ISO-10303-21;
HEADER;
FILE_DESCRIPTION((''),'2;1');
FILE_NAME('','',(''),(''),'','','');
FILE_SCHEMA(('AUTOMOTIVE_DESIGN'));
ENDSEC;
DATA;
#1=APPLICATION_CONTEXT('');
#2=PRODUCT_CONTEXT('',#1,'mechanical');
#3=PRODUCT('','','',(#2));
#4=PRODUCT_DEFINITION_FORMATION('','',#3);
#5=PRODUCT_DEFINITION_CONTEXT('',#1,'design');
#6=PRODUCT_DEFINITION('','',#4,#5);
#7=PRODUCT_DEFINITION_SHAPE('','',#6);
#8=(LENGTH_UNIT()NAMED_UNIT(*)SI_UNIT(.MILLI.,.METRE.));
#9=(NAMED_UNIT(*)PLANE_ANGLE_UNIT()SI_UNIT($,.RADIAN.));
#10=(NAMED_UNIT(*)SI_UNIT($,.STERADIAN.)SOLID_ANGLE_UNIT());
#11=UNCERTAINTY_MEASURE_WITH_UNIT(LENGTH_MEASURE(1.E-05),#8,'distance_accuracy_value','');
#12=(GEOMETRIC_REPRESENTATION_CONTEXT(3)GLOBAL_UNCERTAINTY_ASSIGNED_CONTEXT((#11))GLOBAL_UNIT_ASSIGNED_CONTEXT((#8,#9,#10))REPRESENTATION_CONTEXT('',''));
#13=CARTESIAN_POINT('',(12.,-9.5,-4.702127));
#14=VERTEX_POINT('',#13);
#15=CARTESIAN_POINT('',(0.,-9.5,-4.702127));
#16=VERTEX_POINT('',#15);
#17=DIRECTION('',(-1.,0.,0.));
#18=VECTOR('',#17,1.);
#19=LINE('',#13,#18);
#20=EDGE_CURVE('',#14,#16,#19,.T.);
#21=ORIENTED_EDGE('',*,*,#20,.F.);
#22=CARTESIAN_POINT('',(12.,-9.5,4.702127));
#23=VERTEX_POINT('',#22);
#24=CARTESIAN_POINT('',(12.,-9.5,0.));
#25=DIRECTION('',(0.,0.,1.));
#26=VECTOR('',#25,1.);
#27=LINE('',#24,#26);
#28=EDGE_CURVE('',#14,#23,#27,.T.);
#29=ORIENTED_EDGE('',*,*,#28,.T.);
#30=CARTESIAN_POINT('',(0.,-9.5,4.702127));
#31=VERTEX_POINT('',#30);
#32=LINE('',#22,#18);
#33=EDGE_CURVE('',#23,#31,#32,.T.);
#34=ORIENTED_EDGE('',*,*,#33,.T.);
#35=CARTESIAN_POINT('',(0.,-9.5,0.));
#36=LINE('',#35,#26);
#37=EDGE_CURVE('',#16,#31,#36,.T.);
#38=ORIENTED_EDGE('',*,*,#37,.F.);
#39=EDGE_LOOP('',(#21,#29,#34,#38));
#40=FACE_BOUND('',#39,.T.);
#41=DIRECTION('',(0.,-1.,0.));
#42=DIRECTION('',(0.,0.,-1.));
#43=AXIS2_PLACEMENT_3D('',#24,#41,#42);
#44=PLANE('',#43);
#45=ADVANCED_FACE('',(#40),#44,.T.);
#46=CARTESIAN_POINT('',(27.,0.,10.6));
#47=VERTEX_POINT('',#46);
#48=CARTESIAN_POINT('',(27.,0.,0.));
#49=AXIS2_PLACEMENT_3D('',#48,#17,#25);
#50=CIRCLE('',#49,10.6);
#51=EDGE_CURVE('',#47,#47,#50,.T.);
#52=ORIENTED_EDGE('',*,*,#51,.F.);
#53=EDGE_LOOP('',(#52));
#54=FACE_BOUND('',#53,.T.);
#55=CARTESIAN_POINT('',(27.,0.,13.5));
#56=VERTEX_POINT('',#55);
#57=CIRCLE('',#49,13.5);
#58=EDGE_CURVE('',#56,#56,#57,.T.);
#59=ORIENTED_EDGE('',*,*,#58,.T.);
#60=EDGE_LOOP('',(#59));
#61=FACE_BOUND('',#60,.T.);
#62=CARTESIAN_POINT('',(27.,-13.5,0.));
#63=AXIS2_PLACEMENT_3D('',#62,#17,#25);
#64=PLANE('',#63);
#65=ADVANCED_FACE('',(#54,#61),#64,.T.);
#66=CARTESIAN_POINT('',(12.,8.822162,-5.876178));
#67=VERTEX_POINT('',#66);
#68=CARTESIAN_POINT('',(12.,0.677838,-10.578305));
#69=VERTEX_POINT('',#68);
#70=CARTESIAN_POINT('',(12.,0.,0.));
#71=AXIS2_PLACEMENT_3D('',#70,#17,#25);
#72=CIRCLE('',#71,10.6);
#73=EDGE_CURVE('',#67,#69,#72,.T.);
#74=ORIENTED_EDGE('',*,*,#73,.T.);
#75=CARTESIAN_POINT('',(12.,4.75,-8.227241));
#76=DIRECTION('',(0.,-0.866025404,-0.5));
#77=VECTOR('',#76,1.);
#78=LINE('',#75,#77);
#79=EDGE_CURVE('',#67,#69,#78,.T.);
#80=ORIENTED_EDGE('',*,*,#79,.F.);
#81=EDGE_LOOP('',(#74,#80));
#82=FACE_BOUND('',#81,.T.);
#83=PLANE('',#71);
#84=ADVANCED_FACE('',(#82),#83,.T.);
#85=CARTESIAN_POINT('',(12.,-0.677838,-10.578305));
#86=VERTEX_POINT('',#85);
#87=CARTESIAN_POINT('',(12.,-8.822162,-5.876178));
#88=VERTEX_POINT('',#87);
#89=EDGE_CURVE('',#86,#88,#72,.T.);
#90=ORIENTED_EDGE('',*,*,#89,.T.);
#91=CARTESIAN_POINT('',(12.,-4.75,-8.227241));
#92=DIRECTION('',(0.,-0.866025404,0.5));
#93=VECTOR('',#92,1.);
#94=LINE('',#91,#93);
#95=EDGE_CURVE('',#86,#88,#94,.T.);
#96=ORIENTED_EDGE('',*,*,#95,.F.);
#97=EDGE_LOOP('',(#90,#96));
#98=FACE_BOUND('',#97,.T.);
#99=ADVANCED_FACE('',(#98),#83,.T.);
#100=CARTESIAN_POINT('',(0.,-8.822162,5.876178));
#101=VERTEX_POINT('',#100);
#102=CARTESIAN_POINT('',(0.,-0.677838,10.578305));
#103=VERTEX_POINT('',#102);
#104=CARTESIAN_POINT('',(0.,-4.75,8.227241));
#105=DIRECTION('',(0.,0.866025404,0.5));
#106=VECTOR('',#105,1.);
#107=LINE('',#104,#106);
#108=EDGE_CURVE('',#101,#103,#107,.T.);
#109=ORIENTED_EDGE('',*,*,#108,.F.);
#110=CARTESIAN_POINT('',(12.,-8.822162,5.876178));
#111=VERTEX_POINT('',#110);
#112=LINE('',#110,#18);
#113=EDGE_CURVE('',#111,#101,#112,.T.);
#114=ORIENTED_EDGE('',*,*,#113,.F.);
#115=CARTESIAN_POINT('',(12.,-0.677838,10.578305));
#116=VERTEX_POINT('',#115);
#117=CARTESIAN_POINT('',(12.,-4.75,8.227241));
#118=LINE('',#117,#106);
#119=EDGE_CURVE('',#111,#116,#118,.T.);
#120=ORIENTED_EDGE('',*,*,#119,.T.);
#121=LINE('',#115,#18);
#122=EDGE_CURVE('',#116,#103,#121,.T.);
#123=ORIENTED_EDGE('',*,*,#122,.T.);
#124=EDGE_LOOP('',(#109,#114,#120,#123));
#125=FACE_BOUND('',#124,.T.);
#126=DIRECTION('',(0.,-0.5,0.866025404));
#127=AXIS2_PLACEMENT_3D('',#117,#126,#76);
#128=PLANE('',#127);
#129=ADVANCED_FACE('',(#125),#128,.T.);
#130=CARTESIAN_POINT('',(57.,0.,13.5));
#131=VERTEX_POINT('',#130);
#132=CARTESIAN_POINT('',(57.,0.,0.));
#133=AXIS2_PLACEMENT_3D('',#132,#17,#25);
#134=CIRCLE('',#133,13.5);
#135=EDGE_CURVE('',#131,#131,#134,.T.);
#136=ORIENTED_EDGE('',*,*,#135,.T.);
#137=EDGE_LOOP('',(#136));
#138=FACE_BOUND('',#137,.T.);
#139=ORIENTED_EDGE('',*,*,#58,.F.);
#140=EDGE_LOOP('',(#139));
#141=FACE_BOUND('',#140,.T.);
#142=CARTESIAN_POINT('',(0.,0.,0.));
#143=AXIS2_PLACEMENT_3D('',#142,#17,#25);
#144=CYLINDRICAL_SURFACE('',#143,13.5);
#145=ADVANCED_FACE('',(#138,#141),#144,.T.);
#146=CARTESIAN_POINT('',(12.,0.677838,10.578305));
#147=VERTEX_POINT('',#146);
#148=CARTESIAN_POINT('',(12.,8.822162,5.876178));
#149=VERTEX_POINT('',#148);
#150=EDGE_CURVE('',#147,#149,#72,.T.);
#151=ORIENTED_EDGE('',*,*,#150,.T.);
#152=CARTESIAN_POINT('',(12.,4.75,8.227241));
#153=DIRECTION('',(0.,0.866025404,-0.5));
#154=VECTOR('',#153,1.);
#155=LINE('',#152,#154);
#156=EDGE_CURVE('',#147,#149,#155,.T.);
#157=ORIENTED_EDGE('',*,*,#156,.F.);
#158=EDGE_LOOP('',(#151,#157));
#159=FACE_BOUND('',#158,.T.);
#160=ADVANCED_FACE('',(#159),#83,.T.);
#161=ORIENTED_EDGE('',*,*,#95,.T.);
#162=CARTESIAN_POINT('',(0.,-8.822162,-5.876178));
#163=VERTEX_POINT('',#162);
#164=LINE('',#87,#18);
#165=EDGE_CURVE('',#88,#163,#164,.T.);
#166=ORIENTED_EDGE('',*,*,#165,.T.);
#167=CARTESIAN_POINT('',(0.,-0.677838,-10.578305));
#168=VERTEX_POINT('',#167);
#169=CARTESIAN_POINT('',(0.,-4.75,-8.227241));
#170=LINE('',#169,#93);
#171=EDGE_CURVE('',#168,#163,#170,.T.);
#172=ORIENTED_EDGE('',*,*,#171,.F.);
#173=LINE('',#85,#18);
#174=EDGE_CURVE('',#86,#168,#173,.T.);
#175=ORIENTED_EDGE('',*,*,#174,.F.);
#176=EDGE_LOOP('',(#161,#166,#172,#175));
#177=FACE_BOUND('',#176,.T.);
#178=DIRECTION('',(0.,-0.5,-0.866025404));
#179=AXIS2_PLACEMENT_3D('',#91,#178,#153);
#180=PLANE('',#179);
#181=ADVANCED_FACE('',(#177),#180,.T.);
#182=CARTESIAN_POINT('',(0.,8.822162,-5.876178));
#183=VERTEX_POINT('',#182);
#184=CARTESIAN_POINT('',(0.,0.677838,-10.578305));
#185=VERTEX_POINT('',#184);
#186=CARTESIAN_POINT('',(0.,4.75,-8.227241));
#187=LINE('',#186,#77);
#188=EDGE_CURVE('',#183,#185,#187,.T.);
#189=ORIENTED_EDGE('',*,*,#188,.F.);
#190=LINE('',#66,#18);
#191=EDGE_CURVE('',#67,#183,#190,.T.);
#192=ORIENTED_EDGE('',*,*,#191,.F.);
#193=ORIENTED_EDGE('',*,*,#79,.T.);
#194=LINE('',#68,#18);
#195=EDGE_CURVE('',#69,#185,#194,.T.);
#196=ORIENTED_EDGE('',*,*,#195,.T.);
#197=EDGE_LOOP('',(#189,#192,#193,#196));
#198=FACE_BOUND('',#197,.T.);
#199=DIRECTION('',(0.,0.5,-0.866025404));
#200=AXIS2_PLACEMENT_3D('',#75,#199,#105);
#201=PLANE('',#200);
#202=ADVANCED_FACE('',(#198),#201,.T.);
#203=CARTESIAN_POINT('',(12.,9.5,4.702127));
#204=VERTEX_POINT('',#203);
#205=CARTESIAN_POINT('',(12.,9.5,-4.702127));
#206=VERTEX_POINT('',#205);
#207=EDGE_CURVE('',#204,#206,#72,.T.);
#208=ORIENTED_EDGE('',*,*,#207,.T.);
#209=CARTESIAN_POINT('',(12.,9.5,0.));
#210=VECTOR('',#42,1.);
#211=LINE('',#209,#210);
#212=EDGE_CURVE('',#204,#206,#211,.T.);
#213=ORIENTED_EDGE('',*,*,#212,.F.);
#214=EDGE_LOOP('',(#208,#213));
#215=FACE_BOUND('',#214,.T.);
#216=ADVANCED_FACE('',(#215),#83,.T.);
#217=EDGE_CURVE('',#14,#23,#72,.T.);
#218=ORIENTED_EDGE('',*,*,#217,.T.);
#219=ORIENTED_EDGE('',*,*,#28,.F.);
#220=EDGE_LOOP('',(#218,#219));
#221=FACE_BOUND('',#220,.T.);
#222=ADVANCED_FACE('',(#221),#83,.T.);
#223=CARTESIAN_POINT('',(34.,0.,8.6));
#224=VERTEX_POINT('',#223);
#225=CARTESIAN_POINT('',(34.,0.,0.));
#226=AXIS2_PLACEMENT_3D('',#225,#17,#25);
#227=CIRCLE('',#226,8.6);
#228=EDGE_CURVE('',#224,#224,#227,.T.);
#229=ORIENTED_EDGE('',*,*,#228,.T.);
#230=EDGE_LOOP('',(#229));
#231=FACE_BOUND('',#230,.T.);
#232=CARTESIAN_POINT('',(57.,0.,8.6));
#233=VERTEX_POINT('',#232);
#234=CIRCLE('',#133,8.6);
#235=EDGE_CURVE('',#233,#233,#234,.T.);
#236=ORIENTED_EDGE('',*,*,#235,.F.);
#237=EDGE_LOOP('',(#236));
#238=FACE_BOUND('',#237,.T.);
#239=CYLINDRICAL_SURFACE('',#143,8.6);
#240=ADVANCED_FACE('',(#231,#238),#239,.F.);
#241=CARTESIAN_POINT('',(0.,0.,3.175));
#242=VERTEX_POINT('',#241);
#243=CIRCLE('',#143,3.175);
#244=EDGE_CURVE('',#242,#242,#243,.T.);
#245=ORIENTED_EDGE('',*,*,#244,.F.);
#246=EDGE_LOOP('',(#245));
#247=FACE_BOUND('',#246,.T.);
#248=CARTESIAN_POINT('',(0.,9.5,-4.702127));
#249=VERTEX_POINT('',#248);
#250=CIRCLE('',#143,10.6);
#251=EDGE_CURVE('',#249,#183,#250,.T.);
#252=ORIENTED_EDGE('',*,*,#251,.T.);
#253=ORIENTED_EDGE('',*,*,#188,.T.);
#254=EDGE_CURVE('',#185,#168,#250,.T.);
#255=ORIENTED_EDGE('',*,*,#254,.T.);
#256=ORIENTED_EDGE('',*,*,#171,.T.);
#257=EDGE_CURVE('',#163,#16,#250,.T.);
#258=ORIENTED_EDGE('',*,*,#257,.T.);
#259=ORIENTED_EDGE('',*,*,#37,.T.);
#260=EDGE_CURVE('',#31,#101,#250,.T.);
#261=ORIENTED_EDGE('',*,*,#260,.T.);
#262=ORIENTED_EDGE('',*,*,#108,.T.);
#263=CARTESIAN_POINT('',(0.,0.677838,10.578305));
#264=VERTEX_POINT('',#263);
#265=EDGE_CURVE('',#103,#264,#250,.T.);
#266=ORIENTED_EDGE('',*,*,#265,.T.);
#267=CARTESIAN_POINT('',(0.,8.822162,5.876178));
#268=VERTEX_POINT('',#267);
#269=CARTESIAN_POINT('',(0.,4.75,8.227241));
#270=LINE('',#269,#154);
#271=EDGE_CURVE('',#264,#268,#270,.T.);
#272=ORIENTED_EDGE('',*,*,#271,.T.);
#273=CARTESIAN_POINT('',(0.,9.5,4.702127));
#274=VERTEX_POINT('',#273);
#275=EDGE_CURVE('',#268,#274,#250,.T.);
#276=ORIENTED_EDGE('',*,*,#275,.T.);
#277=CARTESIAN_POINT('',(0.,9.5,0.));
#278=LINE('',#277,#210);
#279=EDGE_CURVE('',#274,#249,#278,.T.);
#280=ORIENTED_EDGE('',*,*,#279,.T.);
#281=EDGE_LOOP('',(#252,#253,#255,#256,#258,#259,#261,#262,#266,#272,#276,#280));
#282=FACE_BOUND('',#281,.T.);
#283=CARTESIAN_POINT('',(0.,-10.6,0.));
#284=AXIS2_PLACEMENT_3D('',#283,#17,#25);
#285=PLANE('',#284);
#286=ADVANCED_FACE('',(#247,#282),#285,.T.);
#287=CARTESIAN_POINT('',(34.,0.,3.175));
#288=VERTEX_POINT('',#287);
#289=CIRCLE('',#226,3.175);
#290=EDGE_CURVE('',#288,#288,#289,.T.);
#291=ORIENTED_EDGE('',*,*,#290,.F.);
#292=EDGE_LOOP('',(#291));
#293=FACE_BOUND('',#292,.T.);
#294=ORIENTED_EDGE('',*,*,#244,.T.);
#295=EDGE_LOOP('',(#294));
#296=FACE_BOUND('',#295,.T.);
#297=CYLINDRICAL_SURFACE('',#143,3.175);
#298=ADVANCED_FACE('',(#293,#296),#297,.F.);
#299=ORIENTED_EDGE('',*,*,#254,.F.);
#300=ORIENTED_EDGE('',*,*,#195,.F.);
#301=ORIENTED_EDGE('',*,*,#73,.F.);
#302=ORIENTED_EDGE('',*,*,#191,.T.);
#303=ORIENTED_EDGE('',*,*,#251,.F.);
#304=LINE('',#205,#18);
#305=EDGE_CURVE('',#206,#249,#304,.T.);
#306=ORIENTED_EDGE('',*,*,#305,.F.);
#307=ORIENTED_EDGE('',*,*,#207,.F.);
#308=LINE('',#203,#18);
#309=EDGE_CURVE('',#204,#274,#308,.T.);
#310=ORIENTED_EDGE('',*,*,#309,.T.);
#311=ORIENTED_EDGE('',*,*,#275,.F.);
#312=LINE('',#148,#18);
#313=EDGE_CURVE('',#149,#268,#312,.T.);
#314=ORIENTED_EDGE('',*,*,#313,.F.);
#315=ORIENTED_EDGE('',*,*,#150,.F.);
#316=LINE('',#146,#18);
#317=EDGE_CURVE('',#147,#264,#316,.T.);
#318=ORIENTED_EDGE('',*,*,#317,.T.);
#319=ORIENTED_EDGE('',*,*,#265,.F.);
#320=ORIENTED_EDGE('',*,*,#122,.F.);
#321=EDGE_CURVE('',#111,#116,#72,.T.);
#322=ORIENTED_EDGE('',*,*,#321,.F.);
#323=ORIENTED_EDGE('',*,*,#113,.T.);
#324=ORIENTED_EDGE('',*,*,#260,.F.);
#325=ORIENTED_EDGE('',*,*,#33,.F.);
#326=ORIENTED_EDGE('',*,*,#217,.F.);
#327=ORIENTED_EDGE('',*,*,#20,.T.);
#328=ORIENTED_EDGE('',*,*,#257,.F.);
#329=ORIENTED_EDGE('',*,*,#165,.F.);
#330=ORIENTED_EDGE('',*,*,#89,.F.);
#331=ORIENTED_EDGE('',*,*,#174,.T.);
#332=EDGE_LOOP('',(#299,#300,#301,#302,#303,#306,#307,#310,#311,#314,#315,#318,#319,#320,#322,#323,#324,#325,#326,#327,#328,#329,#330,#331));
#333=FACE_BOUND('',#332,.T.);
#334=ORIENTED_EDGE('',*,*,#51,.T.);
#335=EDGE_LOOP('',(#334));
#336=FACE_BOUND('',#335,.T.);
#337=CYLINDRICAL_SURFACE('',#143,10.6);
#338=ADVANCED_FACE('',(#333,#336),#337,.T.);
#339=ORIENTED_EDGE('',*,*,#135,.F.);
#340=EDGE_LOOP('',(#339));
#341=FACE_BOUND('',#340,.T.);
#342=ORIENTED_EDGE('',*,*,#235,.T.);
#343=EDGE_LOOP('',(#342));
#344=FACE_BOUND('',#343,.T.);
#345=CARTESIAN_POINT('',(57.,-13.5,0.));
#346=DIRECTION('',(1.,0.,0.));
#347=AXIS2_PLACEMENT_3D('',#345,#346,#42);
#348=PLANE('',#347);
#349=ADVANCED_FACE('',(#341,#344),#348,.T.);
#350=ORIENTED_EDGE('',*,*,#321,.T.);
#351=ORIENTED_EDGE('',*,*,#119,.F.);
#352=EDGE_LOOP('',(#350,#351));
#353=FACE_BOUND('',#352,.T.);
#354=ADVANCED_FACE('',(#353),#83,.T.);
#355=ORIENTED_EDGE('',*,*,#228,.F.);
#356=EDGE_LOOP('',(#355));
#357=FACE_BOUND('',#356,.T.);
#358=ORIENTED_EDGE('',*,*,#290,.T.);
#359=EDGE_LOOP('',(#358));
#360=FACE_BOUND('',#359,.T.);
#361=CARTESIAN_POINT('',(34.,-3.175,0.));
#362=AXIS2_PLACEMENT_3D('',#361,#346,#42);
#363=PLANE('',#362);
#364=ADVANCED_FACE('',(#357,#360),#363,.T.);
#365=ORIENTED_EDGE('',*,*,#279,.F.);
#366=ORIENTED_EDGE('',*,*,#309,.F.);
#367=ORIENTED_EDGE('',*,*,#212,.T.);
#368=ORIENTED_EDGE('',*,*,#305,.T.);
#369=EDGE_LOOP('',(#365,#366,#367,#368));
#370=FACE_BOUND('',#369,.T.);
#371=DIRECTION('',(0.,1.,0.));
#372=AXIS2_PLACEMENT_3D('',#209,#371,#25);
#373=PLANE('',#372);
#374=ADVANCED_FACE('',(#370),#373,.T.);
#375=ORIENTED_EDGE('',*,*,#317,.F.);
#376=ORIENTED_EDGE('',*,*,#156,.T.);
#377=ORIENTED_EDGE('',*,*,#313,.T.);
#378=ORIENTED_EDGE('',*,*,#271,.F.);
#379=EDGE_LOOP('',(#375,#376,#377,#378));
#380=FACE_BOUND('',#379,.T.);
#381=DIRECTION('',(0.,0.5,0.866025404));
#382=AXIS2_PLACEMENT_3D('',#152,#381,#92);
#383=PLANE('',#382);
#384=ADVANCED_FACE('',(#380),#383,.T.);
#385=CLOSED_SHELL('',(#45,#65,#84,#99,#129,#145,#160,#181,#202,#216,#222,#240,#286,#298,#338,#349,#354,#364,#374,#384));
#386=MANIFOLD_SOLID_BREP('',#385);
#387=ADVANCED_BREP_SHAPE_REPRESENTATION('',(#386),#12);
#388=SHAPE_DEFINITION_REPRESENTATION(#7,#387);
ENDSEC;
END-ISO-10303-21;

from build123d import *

# Parameters (mm, degrees)
CUT_EXTRUDE2_DEPTH = 12


with BuildPart() as part:
    # Sketch1 → Revolve1 (revolve)
    with BuildSketch(Plane.XY, mode=Mode.PRIVATE) as revolve1_sk:
        Polygon((57, -13.5), (27, -13.5), (27, -10.6), (0, -10.6), (0, -3.175), (34, -3.175), (34, -8.6), (57, -8.6), align=None)
    revolve(revolve1_sk.sketch.rotate(Axis((0, 0, 0), (1, 0, 0)), 270), axis=Axis((0, 0, 0), (1, 0, 0)))

    # Sketch2 → Cut-Extrude2 (cut)
    with BuildSketch(Plane.ZY):
        with BuildLine():
            Line((-10.578304925, 0.677838412), (-5.876177747, 8.822161588))
            ThreePointArc((-5.876177747, 8.822161588), (-9.17986928, 5.3), (-10.578304925, 0.677838412))
        make_face()
        with BuildLine():
            ThreePointArc((4.702127178, 9.5), (0, 10.6), (-4.702127178, 9.5))
            Line((-4.702127178, 9.5), (4.702127178, 9.5))
        make_face()
        with BuildLine():
            Line((-5.876177747, -8.822161588), (-10.578304925, -0.677838412))
            ThreePointArc((-10.578304925, -0.677838412), (-9.17986928, -5.3), (-5.876177747, -8.822161588))
        make_face()
        with BuildLine():
            ThreePointArc((10.578304925, 0.677838412), (9.17986928, 5.3), (5.876177747, 8.822161588))
            Line((5.876177747, 8.822161588), (10.578304925, 0.677838412))
        make_face()
        with BuildLine():
            Line((4.702127178, -9.5), (-4.702127178, -9.5))
            ThreePointArc((-4.702127178, -9.5), (0, -10.6), (4.702127178, -9.5))
        make_face()
        with BuildLine():
            ThreePointArc((5.876177747, -8.822161588), (9.17986928, -5.3), (10.578304925, -0.677838412))
            Line((10.578304925, -0.677838412), (5.876177747, -8.822161588))
        make_face()
    extrude(amount=-CUT_EXTRUDE2_DEPTH, mode=Mode.SUBTRACT)


solid = part.part
